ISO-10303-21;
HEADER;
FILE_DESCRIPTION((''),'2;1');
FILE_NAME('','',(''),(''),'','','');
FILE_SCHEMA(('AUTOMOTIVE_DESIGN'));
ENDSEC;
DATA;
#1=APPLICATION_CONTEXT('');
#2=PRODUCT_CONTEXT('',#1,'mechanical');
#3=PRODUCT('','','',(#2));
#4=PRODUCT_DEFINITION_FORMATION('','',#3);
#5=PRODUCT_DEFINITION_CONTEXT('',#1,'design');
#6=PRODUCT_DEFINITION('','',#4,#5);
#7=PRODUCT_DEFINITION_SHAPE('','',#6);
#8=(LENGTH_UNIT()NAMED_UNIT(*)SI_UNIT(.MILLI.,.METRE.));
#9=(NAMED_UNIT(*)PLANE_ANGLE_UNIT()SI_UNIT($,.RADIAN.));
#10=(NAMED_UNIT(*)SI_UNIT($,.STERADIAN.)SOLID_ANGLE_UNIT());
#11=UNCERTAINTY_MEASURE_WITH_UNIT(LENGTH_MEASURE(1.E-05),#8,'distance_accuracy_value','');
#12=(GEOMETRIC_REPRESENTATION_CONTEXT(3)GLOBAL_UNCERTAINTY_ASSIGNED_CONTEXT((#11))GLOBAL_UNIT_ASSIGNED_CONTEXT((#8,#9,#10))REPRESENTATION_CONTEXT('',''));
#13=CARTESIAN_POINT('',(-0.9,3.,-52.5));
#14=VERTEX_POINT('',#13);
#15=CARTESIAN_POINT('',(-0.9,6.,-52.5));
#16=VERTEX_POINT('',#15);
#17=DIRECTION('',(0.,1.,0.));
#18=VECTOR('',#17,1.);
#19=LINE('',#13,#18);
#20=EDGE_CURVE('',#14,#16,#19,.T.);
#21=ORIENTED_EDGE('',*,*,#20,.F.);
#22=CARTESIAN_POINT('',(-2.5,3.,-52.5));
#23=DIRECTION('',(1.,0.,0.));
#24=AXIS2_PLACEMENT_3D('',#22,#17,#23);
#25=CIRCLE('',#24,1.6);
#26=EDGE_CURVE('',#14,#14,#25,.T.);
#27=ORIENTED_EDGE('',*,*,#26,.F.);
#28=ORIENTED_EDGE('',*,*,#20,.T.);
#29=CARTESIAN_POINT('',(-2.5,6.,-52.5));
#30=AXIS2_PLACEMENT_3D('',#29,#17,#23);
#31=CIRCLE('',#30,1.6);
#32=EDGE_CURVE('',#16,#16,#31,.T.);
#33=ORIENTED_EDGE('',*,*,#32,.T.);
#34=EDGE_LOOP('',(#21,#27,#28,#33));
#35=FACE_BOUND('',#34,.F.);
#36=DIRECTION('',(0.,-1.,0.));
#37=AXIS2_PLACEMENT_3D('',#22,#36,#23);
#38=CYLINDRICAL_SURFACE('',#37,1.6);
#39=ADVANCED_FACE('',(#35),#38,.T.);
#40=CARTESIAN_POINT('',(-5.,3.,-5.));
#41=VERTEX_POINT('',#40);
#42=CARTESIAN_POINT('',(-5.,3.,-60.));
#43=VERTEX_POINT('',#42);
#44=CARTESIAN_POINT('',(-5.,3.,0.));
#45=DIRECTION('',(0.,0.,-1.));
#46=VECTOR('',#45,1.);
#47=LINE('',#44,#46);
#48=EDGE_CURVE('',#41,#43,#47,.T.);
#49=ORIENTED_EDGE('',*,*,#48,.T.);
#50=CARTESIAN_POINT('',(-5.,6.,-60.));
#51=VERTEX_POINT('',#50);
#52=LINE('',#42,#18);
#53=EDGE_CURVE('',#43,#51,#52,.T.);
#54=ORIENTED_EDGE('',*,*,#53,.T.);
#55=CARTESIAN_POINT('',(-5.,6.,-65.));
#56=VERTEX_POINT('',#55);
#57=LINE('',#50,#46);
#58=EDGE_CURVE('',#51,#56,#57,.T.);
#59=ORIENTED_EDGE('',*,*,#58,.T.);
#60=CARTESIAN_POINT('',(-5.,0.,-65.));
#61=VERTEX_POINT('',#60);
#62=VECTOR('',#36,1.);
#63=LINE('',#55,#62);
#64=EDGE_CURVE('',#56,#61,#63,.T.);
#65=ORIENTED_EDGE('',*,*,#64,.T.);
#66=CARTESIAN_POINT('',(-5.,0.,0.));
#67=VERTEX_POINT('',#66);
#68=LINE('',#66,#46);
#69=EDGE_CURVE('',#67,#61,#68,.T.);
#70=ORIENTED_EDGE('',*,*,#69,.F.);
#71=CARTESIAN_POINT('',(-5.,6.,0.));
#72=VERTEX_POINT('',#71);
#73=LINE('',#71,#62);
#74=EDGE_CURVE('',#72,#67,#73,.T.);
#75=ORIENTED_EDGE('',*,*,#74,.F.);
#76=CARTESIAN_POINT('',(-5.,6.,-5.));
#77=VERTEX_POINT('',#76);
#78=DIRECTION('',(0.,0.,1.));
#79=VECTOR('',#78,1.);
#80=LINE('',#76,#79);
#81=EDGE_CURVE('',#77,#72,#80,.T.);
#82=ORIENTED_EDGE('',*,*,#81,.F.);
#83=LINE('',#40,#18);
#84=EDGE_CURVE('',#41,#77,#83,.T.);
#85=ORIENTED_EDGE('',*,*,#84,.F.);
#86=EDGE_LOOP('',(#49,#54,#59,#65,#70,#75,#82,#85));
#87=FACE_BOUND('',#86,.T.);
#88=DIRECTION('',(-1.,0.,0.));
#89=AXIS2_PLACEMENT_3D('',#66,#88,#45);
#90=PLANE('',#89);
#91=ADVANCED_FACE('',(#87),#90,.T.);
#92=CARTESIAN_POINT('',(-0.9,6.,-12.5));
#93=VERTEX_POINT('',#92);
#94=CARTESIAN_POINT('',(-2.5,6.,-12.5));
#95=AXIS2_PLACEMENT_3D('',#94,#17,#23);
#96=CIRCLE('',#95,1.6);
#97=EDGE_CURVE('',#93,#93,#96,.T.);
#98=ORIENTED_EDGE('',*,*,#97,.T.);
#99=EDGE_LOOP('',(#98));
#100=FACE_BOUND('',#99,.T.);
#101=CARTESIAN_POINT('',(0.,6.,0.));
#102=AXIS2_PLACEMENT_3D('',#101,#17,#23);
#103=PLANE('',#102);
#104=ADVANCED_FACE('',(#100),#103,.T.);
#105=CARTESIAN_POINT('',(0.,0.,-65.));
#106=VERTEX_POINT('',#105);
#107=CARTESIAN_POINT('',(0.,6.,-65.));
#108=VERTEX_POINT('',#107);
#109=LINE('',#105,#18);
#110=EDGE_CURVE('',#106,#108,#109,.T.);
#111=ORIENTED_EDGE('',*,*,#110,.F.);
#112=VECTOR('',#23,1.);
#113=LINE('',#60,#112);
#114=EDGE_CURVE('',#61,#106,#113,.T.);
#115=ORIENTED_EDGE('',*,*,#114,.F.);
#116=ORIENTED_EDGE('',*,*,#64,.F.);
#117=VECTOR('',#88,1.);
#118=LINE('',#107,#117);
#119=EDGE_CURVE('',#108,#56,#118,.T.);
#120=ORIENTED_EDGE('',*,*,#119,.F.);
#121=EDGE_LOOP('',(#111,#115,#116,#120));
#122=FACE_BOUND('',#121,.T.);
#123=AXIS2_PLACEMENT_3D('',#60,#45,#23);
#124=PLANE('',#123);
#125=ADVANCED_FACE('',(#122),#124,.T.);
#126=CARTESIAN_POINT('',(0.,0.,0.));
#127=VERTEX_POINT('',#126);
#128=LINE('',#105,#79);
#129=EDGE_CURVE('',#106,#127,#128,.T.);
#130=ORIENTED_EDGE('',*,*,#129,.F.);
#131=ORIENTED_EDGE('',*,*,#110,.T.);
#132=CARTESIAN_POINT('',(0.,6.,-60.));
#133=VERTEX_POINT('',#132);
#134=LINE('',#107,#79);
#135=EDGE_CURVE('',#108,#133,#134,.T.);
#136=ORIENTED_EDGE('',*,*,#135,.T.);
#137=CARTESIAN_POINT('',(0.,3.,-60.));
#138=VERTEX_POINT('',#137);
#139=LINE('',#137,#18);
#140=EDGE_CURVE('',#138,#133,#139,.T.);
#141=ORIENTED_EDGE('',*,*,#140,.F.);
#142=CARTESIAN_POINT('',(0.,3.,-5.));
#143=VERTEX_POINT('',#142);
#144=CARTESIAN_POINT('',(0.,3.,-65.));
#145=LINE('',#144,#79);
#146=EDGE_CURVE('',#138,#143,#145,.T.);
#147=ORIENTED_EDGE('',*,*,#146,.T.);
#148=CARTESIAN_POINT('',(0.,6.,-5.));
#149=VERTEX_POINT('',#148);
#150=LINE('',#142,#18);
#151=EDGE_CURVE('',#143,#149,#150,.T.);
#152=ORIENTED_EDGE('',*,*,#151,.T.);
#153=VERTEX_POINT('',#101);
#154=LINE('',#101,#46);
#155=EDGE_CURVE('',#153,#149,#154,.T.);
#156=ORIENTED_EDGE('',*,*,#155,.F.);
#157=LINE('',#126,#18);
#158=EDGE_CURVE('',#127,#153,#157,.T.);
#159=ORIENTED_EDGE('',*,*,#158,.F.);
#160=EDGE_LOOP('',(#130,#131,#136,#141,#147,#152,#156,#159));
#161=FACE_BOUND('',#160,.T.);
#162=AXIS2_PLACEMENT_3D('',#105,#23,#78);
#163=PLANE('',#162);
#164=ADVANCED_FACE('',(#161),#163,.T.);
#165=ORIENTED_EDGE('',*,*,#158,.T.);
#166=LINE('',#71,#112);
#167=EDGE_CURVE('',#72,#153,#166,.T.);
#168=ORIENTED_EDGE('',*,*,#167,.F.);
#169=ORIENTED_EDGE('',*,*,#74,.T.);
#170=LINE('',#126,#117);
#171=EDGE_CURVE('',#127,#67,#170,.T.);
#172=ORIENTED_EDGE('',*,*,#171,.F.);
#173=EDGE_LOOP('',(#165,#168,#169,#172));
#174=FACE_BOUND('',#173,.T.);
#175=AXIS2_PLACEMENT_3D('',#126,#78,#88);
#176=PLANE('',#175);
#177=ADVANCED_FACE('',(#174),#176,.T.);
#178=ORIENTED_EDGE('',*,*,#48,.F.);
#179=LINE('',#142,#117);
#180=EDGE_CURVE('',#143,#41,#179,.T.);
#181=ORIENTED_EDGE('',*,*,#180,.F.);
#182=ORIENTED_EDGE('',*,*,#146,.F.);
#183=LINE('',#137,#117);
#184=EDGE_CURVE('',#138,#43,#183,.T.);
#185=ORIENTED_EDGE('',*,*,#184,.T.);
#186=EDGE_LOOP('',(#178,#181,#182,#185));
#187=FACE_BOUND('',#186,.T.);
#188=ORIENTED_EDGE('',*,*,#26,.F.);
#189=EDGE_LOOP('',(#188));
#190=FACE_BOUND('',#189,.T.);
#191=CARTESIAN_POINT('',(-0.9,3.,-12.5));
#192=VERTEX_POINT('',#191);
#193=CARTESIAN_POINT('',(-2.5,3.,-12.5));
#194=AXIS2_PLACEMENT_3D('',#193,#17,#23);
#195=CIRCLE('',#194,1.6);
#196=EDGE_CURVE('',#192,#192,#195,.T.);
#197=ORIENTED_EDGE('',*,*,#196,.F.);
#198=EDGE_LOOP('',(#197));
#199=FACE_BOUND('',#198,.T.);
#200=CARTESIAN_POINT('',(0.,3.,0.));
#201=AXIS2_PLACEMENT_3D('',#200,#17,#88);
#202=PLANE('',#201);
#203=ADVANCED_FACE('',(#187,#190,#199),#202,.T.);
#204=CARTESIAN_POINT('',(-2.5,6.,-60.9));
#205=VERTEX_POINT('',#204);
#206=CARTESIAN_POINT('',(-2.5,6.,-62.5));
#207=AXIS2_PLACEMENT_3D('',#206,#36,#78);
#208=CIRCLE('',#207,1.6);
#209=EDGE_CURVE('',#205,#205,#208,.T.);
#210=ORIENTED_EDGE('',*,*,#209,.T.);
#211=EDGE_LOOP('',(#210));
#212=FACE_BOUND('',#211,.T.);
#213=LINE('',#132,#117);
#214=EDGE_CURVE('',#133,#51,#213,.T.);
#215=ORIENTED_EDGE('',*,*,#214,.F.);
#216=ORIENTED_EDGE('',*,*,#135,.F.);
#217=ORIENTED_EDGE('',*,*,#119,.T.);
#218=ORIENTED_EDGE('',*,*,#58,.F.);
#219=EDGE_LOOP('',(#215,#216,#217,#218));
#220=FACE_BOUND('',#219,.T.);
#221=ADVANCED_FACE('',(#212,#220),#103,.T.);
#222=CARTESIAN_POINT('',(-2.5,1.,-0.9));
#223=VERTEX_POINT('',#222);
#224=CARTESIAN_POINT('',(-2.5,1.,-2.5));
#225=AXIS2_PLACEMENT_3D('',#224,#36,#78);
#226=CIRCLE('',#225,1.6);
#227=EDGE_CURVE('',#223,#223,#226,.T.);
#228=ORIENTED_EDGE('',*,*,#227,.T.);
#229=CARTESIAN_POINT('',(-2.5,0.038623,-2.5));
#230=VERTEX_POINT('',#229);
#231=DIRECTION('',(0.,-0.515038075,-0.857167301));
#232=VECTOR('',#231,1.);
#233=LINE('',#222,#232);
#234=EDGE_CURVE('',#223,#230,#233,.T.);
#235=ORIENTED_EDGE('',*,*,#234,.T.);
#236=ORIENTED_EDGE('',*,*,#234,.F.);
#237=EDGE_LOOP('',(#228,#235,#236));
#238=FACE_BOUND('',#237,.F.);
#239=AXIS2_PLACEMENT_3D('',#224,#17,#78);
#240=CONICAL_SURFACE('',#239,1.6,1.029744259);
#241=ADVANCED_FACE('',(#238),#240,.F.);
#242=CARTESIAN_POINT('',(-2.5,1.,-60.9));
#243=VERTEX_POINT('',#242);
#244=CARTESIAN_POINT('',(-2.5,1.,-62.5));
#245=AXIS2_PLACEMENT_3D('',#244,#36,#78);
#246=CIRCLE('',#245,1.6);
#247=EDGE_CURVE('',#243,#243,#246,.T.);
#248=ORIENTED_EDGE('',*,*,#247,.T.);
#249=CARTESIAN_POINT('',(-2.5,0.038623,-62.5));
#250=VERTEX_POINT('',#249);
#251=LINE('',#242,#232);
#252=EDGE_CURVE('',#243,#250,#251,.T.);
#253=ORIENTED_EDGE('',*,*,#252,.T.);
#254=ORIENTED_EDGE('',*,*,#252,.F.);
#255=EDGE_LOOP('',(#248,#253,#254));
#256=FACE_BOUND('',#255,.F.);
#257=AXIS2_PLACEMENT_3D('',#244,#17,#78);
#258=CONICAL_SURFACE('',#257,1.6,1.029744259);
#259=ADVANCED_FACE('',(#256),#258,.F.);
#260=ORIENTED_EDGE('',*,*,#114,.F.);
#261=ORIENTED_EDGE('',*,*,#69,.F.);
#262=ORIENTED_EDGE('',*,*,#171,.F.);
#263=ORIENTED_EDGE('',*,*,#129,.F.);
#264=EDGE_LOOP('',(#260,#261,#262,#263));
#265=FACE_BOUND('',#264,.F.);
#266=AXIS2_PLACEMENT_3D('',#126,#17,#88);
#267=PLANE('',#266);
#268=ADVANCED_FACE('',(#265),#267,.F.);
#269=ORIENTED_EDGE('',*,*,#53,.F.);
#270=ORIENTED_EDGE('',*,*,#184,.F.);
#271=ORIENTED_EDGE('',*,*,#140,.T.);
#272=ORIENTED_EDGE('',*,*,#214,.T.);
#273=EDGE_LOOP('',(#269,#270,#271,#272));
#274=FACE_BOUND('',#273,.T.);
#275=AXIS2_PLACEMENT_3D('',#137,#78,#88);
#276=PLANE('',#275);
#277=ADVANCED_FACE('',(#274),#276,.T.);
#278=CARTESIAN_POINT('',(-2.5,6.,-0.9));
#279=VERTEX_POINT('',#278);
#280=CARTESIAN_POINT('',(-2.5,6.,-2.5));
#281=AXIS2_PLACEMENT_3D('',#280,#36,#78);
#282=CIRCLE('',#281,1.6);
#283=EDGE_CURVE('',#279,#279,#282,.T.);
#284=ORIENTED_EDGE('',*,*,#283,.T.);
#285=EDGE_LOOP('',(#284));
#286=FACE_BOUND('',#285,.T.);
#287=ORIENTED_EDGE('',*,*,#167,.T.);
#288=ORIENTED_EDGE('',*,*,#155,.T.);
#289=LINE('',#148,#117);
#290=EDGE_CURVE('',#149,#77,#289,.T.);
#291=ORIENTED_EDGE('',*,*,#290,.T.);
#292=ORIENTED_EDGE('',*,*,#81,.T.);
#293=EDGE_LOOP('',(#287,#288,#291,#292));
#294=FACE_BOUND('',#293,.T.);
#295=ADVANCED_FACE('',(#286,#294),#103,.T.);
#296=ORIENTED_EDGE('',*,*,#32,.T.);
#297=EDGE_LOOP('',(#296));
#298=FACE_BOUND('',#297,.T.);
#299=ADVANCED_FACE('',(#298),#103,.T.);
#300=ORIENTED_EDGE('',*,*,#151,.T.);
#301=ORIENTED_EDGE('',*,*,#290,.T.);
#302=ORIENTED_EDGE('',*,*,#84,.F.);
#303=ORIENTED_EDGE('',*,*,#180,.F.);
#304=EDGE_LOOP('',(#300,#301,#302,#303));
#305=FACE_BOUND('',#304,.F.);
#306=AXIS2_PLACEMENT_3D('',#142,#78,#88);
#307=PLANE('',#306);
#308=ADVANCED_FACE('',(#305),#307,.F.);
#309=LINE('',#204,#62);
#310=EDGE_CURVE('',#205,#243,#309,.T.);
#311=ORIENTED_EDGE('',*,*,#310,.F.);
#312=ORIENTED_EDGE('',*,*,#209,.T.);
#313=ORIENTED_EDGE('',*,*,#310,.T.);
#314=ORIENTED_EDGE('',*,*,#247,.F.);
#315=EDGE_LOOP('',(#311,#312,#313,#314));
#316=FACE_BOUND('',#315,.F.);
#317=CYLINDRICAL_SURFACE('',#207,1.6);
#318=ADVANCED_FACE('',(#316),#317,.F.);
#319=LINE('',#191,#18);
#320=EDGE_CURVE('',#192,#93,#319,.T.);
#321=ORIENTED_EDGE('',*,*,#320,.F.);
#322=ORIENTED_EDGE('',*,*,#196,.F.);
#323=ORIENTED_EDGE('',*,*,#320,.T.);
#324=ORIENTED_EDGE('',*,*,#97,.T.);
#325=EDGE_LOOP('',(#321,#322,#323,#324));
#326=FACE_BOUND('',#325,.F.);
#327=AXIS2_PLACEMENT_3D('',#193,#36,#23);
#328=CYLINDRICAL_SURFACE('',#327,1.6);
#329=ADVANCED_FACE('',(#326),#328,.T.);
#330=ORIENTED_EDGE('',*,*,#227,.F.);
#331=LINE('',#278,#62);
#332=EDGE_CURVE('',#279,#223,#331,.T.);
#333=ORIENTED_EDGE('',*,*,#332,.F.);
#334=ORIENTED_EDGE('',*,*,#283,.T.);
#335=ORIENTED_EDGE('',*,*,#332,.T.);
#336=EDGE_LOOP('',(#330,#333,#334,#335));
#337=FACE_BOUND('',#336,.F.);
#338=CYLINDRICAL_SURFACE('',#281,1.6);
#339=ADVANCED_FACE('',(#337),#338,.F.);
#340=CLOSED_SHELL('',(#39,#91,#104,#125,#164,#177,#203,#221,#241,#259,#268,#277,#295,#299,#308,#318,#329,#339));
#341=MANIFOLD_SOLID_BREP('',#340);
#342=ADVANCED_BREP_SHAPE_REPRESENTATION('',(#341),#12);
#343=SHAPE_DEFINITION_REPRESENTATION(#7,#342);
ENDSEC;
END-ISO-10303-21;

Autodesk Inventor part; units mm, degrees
ref_plane "YZ Plane" through (0, 0, 0) normal (1, 0, 0) x (0, 1, 0)
ref_plane "XZ Plane" through (0, 0, 0) normal (0, 1, 0) x (-1, 0, 0)
ref_plane "XY Plane" through (0, 0, 0) normal (0, 0, 1) x (1, 0, 0)
sketch "スケッチ1" plane through (0, 0, 0) normal (0, 1, 0) x (-1, 0, 0)
  line L0 (0, 0) -> (5, 0)
  line L1 (5, 0) -> (5, -65)
  line L2 (5, -65) -> (0, -65)
  line L3 (0, -65) -> (0, 0)
  dimension "d0" = 5
  dimension "d1" = 65
extrude "押し出し1" add sketch "スケッチ1" along normal blind 3
sketch "スケッチ2" plane through (0, 3, 0) normal (0, 1, 0) x (1, 0, 0)
  line L0 (-5, 0) -> (0, 0) projected
  line L1 (-5, 0) -> (0, 0)
  line L2 (0, 0) -> (0, 5)
  line L3 (0, 5) -> (-5, 5)
  line L4 (-5, 5) -> (-5, 0)
  line L5 (0, 65) -> (-5, 65) projected
  line L6 (-5, 65) -> (0, 65)
  line L7 (0, 65) -> (0, 60)
  line L8 (0, 60) -> (-5, 60)
  line L9 (-5, 60) -> (-5, 65)
  dimension "d4" = 5
  dimension "d5" = 5
  dimension "d6" = 5
  dimension "d7" = 5
extrude "押し出し2" add sketch "スケッチ2" along normal blind 3
sketch "スケッチ3" plane through (0, 6, 0) normal (0, 1, 0) x (1, 0, 0)
  line L0 (0, 60) -> (0, 65) projected
  line L1 (0, 65) -> (-5, 65) projected
  line L2 (-5, 0) -> (0, 0) projected
  point P0 (-2.5, 2.5)
  point P1 (-2.5, 62.5)
  dimension "d10" = 2.5
  dimension "d11" = 2.5
  dimension "d12" = 2.5
hole "穴1" at (-2.5, 6, -2.5) at (-2.5, 6, -62.5) direction (0, -1, 0) diameter 3.2 depth 5 tip angle 118
sketch "スケッチ4" plane through (0, 3, 0) normal (0, 1, 0) x (1, 0, 0)
  circle A0 centre (-2.5, 52.5) radius 1.6
  circle A1 centre (-2.5, 12.5) radius 1.6
  line L0 (0, 65) -> (-5, 65) projected
  line L1 (-5, 0) -> (0, 0) projected
  line L2 (-5, 60) -> (-5, 5) projected
  dimension "d20" = 3.2
  dimension "d21" = 3.2
  dimension "d22" = 40
  dimension "d23" = 12.5
  dimension "d24" = 12.5
  dimension "d25" = 2.5
extrude "押し出し3" add sketch "スケッチ4" along normal blind 3
properties part number "Tamiya-doubleGearBoxStopper"
